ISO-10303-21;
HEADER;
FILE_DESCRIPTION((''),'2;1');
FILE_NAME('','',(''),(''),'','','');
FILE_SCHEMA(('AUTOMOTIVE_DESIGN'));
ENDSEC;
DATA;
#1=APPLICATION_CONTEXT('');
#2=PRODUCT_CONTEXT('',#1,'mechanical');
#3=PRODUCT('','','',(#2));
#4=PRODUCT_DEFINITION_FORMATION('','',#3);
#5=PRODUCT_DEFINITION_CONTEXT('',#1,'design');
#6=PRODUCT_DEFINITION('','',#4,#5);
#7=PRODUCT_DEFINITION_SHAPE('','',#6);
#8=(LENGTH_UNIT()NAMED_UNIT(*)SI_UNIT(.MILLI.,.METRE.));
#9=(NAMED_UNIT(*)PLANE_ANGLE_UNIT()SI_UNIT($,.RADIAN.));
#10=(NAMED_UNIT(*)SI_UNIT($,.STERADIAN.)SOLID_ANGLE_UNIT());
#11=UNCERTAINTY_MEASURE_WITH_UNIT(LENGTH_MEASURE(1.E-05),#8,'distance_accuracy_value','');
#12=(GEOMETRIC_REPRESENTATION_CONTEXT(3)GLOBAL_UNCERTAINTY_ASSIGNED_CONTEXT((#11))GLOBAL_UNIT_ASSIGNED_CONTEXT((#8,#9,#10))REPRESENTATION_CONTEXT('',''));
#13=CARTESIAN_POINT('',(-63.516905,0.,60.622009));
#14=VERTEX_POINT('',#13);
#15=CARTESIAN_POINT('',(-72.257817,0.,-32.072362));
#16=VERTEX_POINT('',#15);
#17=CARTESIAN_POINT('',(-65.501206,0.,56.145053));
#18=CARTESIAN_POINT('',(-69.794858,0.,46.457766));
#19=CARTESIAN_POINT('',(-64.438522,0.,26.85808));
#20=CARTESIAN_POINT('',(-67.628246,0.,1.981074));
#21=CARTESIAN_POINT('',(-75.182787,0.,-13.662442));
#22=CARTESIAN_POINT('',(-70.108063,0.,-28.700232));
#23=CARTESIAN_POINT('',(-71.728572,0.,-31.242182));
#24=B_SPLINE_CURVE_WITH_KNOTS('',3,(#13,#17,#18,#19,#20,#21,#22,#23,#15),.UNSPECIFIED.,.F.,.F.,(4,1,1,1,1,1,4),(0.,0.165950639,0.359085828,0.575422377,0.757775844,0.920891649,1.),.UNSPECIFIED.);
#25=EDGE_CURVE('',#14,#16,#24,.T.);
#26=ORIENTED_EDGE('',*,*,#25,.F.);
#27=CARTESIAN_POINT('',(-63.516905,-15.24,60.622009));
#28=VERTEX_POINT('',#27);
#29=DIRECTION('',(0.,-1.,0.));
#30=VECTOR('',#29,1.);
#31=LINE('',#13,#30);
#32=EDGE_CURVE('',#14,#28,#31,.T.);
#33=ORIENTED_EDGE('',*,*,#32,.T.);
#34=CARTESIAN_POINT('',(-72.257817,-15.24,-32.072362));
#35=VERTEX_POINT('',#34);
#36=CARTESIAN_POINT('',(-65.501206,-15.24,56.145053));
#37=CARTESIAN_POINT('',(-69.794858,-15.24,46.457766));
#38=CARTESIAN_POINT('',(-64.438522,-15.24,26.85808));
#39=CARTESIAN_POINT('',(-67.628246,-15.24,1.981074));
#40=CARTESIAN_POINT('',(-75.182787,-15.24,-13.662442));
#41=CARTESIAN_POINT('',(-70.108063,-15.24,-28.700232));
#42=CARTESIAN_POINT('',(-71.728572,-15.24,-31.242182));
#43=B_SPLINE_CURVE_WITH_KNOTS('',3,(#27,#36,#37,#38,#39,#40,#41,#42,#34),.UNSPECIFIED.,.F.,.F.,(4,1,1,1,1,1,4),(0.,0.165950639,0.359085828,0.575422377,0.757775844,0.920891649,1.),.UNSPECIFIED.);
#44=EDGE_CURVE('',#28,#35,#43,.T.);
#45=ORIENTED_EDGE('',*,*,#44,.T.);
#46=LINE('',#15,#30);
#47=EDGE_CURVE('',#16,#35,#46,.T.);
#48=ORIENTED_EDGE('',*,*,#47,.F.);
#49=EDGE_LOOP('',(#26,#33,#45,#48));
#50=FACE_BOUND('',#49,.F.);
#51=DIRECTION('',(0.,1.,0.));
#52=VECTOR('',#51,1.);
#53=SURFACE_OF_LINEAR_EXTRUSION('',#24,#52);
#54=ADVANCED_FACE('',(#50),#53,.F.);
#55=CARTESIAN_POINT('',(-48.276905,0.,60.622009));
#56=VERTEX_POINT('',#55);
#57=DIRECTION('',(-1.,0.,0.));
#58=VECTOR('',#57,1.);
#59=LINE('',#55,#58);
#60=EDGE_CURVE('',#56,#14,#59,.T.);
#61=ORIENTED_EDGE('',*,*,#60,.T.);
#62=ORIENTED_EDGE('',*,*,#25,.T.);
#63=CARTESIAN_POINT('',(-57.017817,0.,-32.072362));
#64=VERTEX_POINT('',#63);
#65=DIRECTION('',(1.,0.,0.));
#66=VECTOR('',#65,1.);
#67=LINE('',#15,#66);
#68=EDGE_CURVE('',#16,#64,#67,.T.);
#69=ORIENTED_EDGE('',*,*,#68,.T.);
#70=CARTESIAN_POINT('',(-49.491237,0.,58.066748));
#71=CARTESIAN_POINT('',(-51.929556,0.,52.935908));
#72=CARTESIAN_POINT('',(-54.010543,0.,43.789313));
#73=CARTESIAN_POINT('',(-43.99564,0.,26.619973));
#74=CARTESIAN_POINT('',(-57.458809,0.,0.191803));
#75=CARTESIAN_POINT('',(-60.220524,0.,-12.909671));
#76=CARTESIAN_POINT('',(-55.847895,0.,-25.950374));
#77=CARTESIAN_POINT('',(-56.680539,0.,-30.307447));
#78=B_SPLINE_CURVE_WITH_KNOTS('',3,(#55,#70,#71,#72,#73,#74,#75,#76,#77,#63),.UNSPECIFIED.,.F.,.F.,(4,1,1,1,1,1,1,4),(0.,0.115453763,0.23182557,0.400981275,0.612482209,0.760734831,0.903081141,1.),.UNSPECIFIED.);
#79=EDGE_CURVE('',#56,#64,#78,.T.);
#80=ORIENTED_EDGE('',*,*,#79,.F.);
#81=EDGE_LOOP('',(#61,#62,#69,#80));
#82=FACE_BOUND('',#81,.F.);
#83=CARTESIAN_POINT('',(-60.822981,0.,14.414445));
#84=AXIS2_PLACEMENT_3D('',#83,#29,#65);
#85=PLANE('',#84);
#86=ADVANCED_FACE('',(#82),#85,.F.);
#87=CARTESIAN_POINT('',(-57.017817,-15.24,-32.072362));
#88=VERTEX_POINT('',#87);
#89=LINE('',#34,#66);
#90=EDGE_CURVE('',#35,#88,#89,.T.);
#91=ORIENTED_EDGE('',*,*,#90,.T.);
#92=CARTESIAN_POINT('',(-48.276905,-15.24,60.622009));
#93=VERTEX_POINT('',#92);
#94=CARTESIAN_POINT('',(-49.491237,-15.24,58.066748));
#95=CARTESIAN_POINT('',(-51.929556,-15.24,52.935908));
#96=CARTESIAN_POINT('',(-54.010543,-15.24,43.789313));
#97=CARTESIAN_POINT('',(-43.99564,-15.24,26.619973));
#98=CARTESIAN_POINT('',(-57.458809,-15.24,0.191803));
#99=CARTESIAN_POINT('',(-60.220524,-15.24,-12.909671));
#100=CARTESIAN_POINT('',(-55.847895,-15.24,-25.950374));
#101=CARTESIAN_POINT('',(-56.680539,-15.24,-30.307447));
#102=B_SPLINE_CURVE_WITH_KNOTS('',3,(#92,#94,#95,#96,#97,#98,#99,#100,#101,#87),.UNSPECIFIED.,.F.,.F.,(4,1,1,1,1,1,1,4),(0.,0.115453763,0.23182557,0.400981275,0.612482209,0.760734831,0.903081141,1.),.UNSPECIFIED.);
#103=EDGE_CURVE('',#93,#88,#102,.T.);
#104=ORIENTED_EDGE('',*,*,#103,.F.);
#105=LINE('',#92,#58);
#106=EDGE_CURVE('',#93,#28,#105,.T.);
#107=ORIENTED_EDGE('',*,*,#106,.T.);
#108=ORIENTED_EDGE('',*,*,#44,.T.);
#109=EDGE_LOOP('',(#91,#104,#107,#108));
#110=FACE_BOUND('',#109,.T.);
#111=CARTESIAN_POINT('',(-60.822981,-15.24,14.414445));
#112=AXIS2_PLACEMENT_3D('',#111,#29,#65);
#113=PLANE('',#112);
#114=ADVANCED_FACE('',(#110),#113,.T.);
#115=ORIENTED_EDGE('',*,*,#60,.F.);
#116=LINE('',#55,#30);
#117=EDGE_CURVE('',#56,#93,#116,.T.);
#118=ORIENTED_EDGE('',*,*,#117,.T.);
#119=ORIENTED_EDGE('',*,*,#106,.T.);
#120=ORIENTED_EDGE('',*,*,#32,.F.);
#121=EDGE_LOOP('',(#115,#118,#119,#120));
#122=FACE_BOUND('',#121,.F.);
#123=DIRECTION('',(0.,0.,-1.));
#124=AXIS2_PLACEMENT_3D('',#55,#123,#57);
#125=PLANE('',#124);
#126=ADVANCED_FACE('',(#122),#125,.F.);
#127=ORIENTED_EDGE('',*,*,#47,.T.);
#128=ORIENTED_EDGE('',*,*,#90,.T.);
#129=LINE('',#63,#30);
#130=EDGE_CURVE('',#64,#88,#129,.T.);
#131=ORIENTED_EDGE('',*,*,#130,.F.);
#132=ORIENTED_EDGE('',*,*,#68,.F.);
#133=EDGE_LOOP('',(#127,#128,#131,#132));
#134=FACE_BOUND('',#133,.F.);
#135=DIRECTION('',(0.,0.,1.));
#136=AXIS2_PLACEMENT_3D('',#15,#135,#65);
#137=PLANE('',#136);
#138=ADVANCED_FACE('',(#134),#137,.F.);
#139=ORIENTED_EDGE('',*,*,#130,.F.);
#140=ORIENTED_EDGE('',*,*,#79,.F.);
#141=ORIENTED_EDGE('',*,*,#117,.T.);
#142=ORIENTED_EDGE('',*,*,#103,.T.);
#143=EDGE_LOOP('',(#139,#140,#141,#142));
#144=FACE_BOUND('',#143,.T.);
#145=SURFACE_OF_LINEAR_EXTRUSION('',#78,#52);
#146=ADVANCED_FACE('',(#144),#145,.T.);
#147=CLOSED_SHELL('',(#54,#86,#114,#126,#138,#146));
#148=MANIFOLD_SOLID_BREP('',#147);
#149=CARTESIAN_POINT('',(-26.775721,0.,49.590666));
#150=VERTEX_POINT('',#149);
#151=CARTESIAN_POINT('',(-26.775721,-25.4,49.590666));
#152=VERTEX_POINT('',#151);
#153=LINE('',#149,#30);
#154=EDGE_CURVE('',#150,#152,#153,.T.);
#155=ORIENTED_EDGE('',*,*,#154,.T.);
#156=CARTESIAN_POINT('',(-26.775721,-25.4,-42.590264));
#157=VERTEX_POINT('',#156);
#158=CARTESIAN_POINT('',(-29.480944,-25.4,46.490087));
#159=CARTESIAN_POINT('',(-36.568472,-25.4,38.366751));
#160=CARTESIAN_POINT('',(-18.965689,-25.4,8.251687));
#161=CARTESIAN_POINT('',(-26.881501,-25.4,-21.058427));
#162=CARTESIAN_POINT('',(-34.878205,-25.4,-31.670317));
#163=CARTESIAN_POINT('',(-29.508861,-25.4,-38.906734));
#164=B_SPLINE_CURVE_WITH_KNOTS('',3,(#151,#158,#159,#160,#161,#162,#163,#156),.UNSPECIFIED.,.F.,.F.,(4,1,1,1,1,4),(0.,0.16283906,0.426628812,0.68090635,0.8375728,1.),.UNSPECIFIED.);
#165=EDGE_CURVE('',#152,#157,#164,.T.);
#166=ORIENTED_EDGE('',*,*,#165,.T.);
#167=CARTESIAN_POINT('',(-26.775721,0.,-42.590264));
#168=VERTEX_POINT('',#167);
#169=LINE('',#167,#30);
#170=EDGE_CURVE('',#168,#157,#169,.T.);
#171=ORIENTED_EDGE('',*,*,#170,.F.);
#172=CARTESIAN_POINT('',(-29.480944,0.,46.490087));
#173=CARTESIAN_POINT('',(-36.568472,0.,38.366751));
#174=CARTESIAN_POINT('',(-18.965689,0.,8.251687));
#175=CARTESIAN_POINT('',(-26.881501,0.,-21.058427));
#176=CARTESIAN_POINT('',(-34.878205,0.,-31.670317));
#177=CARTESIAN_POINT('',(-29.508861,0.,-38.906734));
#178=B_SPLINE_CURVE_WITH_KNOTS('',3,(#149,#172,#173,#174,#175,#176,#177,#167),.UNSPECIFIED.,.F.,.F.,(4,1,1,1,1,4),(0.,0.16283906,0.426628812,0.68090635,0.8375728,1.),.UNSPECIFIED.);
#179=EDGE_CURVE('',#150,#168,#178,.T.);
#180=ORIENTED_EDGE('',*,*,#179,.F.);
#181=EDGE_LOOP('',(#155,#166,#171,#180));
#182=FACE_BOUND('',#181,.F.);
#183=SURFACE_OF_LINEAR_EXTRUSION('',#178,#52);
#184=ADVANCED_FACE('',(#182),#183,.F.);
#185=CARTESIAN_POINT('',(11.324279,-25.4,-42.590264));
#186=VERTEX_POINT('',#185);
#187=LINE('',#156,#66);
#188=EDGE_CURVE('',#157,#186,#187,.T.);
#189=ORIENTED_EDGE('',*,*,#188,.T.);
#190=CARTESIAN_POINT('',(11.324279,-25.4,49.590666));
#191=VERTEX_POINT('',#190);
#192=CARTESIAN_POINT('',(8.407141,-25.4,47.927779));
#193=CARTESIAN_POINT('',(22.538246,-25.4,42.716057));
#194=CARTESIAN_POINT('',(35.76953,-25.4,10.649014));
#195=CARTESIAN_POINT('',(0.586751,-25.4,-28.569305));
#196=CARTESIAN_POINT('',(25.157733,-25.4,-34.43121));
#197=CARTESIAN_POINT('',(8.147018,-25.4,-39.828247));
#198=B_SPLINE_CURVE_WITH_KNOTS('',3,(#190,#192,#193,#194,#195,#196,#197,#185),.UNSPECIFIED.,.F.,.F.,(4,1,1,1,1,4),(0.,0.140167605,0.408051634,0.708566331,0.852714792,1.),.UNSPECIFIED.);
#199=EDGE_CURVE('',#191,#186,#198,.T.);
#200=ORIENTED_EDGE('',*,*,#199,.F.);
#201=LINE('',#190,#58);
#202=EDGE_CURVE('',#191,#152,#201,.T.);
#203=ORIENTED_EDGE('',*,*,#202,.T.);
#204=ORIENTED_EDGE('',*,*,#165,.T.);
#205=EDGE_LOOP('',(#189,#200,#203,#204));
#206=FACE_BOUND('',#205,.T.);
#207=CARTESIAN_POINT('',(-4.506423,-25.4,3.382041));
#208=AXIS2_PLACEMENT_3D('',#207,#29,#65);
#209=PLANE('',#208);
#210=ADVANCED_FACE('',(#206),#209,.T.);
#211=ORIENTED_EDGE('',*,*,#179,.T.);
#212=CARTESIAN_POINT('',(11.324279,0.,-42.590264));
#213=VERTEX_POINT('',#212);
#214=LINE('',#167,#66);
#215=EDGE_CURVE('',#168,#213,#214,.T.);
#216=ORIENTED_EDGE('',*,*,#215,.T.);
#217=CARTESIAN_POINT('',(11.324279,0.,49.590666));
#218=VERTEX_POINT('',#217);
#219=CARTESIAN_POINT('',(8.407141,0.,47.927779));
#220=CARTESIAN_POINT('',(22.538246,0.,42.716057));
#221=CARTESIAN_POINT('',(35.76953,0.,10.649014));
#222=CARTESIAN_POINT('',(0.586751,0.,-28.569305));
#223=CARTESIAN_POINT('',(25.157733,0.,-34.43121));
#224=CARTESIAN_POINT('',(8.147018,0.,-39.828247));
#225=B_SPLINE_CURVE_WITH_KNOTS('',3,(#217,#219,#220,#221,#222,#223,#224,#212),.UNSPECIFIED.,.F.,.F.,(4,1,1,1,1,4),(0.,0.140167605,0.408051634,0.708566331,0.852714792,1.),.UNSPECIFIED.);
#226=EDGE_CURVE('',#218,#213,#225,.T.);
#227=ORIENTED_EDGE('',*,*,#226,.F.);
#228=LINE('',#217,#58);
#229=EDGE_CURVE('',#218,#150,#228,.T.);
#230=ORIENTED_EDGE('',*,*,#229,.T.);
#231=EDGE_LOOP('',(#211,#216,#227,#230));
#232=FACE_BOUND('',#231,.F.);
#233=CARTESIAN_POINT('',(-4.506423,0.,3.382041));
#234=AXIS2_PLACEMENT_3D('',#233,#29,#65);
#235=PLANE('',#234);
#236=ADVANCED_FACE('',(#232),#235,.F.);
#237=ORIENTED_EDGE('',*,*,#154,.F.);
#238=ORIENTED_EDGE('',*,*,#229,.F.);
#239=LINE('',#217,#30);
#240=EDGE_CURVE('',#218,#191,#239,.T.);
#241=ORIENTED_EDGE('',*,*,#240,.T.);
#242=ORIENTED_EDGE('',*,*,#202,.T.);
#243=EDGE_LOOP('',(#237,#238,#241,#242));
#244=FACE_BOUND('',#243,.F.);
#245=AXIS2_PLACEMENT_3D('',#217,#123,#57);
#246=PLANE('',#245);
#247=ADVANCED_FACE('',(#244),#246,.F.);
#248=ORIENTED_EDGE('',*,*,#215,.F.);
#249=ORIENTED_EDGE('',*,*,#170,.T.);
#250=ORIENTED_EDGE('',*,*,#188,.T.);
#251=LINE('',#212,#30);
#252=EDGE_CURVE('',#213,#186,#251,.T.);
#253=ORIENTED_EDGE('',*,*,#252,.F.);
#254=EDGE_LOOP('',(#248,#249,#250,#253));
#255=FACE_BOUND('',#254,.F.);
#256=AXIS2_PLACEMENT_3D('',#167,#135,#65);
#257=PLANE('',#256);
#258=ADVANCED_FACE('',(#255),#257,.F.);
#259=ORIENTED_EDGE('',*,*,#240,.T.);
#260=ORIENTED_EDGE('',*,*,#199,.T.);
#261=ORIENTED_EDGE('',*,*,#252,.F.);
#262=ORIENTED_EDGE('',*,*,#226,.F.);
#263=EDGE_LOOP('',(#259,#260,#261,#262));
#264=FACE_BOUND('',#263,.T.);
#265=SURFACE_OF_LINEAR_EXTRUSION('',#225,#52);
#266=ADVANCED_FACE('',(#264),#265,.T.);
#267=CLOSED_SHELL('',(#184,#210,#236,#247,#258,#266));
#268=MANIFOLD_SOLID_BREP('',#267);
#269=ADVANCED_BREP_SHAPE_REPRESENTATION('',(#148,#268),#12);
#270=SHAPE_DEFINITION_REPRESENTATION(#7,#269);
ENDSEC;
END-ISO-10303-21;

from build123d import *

# Parameters (mm, degrees)
F1_DEPTH = 25.4
F3_DEPTH = 15.24


with BuildPart() as f1:
    # F0 (on Front) → F1 (new body)
    with BuildSketch(Plane.XZ):
        with BuildLine():
            add(Edge.make_bspline(
                [(-26.7757208362, 49.5906658471), (-29.4809443264, 46.4900867349), (-36.568471634, 38.3667508233), (-18.9656888578, 8.2516869195), (-26.8815007807, -21.0584272628), (-34.8782052109, -31.6703172865), (-29.5088607469, -38.9067344102), (-26.7757208362, -42.590264231)],
                knots=[0, 0, 0, 0, 0.1628390599, 0.426628812, 0.6809063503, 0.8375727996, 1, 1, 1, 1], degree=3))
            Line((-26.7757208362, -42.590264231), (11.3242791638, -42.590264231))
            add(Edge.make_bspline(
                [(11.3242791638, 49.5906658471), (8.4071408109, 47.9277787085), (22.5382459179, 42.716057086), (35.7695299929, 10.6490140265), (0.5867508662, -28.5693047331), (25.1577329611, -34.4312103914), (8.1470175362, -39.8282469978), (11.3242791638, -42.590264231)],
                knots=[0, 0, 0, 0, 0.1401676055, 0.4080516336, 0.7085663312, 0.8527147924, 1, 1, 1, 1], degree=3))
            Line((11.3242791638, 49.5906658471), (-26.7757208362, 49.5906658471))
        make_face()
    extrude(amount=F1_DEPTH)


with BuildPart() as f3:
    # F2 (on Front) → F3 (new body)
    with BuildSketch(Plane.XZ):
        with BuildLine():
            Line((-48.2769048608, 60.6220087062), (-63.5169048608, 60.6220087062))
            add(Edge.make_bspline(
                [(-63.5169048608, 60.6220087062), (-65.5012058306, 56.1450527347), (-69.7948582121, 46.4577658955), (-64.4385222623, 26.8580797393), (-67.6282455856, 1.9810735135), (-75.1827873042, -13.6624417833), (-70.1080625477, -28.7002323769), (-71.7285721327, -31.2421823122), (-72.2578167915, -32.0723615587)],
                knots=[0, 0, 0, 0, 0.1659506393, 0.3590858284, 0.5754223766, 0.7577758436, 0.920891649, 1, 1, 1, 1], degree=3))
            Line((-72.2578167915, -32.0723615587), (-57.0178167915, -32.0723615587))
            add(Edge.make_bspline(
                [(-48.2769048608, 60.6220087062), (-49.4912365365, 58.0667478252), (-51.9295557799, 52.9359076252), (-54.0105434493, 43.7893128984), (-43.9956402411, 26.6199725517), (-57.4588087467, 0.1918028014), (-60.2205238411, -12.9096709985), (-55.8478950033, -25.9503742449), (-56.6805387672, -30.3074471798), (-57.0178167915, -32.0723615587)],
                knots=[0, 0, 0, 0, 0.1154537632, 0.2318255696, 0.400981275, 0.6124822087, 0.7607348311, 0.9030811411, 1, 1, 1, 1], degree=3))
        make_face()
    extrude(amount=F3_DEPTH)


solid = Compound([f1.part, f3.part])
